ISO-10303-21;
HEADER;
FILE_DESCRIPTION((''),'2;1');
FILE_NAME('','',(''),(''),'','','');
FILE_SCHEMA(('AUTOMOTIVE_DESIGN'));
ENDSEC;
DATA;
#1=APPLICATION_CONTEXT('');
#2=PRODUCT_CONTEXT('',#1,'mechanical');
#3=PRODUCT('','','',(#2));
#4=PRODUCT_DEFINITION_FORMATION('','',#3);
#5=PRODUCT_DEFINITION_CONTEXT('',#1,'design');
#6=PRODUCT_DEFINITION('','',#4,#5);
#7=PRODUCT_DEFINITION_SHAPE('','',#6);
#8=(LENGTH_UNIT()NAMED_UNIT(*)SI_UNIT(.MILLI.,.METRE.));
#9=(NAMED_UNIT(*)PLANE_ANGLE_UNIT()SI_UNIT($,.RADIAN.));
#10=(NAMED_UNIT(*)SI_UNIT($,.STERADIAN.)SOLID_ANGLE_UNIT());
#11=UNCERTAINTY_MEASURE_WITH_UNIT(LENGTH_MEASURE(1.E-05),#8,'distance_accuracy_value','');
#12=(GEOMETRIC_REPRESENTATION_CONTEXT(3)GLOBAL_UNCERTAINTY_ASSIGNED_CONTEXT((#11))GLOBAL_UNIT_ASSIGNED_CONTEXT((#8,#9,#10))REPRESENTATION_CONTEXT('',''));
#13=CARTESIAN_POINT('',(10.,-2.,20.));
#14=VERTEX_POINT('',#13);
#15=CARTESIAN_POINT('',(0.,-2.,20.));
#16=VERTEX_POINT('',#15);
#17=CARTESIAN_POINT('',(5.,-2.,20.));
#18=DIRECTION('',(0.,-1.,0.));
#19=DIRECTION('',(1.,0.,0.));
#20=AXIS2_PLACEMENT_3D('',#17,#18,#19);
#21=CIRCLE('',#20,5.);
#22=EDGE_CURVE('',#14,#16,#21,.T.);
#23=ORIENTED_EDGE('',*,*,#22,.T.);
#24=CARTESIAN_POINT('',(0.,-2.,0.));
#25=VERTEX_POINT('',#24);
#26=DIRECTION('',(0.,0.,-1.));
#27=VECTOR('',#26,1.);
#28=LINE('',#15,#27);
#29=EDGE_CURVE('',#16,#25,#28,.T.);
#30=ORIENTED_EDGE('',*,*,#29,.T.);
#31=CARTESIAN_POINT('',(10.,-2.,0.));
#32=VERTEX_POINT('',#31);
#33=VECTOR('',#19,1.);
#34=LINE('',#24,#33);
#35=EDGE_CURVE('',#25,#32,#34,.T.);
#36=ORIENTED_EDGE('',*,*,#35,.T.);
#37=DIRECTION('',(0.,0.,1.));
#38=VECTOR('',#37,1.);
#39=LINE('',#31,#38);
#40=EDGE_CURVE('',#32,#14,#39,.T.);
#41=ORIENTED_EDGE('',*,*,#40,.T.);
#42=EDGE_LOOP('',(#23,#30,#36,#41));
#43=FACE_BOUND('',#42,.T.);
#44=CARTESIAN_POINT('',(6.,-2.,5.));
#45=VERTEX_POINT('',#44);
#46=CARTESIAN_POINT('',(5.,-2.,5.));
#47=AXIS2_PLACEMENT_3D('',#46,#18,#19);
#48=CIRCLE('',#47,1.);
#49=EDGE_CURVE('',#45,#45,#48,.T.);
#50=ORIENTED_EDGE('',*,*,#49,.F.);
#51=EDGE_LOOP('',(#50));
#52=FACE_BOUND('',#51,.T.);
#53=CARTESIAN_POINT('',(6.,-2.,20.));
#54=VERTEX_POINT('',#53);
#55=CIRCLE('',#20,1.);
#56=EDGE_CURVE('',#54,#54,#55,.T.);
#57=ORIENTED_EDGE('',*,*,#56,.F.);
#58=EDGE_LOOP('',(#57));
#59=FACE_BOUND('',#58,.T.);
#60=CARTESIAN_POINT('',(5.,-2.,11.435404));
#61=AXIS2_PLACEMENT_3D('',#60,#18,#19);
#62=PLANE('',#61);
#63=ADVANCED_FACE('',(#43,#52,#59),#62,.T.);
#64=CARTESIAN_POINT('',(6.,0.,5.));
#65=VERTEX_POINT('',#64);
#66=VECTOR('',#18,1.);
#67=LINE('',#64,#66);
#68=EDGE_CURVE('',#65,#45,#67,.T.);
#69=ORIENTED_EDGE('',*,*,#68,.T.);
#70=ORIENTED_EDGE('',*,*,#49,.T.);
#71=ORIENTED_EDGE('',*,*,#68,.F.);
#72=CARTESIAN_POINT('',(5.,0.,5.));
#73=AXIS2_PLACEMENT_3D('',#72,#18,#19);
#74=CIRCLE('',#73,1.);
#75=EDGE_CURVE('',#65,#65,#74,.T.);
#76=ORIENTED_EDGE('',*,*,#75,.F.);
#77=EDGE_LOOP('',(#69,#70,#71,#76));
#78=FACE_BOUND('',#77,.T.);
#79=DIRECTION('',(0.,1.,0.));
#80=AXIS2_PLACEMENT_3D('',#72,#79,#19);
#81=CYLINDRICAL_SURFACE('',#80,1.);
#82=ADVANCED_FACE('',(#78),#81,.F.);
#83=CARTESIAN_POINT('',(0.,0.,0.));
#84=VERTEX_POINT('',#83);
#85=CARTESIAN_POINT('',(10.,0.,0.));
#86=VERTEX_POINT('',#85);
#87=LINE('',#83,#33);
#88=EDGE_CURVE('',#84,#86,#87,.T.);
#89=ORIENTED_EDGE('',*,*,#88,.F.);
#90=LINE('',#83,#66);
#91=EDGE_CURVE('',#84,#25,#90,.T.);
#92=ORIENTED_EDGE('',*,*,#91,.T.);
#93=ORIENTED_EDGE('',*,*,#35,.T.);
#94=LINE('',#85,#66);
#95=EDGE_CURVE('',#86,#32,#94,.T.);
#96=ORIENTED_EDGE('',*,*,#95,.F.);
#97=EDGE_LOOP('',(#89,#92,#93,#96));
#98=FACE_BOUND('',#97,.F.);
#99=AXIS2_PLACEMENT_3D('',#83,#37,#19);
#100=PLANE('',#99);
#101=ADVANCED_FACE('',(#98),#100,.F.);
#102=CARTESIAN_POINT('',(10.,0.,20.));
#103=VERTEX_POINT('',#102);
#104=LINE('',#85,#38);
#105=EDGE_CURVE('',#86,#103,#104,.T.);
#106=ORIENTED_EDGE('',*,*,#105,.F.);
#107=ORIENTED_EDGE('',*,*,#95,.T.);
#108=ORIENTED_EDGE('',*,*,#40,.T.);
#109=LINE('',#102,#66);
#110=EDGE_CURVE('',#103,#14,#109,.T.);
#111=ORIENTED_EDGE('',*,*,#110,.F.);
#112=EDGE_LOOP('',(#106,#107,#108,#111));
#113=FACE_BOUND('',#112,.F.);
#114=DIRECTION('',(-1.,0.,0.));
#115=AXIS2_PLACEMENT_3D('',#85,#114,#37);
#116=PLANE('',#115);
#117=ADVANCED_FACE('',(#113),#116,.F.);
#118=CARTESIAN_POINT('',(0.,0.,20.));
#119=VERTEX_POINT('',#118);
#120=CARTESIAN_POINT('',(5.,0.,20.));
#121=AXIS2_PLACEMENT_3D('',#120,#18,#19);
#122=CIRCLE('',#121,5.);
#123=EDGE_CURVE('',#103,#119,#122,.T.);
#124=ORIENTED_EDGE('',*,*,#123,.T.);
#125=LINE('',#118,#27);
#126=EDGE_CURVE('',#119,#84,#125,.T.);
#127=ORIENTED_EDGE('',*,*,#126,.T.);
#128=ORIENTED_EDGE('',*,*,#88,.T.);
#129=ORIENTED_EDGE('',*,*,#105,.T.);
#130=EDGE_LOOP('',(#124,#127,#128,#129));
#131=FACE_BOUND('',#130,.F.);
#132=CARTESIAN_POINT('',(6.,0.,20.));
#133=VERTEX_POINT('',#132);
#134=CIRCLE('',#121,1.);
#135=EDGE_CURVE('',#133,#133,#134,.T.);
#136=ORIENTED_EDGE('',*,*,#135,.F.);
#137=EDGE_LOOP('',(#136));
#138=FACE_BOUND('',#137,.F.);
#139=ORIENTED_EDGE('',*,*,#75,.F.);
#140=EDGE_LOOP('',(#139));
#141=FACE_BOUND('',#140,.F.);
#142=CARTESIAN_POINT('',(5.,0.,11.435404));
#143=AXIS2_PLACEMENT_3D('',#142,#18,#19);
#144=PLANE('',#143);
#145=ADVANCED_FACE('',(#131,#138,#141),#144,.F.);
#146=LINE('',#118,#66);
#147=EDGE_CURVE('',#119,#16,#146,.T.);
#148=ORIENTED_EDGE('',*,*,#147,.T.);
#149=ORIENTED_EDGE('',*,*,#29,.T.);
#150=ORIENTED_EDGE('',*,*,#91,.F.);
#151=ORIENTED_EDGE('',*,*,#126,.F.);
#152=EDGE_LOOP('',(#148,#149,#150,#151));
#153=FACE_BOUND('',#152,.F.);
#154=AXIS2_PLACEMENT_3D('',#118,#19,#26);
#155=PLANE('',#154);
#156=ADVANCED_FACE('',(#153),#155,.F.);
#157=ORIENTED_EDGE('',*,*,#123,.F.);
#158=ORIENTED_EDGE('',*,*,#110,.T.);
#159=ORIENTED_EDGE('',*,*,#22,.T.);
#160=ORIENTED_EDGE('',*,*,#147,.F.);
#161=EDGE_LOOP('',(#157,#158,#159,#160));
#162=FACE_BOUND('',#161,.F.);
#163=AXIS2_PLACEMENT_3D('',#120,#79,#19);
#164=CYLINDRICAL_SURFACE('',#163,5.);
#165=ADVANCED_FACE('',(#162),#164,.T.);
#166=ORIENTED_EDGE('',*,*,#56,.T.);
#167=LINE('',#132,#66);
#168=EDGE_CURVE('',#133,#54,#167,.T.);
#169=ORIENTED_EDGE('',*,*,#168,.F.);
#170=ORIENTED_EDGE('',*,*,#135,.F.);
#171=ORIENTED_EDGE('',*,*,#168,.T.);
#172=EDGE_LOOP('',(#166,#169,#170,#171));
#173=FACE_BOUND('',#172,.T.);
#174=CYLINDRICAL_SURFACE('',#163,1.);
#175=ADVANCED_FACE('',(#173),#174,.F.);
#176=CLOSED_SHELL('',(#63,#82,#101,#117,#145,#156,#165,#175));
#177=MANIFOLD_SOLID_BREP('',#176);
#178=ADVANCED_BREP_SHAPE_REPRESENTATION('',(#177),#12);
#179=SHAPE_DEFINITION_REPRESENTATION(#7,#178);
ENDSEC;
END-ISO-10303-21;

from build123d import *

# Parameters (mm, degrees)
F0_R     = 1
F1_DEPTH = 2


with BuildPart() as f1:
    # F0 (on Front) → F1 (new body)
    with BuildSketch(Plane.XZ):
        with BuildLine():
            Line((0, 20), (0, 0))
            Line((0, 0), (10, 0))
            Line((10, 0), (10, 20))
            ThreePointArc((10, 20), (5, 25), (0, 20))
        make_face()
        with Locations((5, 5)):
            Circle(F0_R, mode=Mode.SUBTRACT)
        with Locations((5, 20)):
            Circle(F0_R, mode=Mode.SUBTRACT)
    extrude(amount=F1_DEPTH)


solid = f1.part
